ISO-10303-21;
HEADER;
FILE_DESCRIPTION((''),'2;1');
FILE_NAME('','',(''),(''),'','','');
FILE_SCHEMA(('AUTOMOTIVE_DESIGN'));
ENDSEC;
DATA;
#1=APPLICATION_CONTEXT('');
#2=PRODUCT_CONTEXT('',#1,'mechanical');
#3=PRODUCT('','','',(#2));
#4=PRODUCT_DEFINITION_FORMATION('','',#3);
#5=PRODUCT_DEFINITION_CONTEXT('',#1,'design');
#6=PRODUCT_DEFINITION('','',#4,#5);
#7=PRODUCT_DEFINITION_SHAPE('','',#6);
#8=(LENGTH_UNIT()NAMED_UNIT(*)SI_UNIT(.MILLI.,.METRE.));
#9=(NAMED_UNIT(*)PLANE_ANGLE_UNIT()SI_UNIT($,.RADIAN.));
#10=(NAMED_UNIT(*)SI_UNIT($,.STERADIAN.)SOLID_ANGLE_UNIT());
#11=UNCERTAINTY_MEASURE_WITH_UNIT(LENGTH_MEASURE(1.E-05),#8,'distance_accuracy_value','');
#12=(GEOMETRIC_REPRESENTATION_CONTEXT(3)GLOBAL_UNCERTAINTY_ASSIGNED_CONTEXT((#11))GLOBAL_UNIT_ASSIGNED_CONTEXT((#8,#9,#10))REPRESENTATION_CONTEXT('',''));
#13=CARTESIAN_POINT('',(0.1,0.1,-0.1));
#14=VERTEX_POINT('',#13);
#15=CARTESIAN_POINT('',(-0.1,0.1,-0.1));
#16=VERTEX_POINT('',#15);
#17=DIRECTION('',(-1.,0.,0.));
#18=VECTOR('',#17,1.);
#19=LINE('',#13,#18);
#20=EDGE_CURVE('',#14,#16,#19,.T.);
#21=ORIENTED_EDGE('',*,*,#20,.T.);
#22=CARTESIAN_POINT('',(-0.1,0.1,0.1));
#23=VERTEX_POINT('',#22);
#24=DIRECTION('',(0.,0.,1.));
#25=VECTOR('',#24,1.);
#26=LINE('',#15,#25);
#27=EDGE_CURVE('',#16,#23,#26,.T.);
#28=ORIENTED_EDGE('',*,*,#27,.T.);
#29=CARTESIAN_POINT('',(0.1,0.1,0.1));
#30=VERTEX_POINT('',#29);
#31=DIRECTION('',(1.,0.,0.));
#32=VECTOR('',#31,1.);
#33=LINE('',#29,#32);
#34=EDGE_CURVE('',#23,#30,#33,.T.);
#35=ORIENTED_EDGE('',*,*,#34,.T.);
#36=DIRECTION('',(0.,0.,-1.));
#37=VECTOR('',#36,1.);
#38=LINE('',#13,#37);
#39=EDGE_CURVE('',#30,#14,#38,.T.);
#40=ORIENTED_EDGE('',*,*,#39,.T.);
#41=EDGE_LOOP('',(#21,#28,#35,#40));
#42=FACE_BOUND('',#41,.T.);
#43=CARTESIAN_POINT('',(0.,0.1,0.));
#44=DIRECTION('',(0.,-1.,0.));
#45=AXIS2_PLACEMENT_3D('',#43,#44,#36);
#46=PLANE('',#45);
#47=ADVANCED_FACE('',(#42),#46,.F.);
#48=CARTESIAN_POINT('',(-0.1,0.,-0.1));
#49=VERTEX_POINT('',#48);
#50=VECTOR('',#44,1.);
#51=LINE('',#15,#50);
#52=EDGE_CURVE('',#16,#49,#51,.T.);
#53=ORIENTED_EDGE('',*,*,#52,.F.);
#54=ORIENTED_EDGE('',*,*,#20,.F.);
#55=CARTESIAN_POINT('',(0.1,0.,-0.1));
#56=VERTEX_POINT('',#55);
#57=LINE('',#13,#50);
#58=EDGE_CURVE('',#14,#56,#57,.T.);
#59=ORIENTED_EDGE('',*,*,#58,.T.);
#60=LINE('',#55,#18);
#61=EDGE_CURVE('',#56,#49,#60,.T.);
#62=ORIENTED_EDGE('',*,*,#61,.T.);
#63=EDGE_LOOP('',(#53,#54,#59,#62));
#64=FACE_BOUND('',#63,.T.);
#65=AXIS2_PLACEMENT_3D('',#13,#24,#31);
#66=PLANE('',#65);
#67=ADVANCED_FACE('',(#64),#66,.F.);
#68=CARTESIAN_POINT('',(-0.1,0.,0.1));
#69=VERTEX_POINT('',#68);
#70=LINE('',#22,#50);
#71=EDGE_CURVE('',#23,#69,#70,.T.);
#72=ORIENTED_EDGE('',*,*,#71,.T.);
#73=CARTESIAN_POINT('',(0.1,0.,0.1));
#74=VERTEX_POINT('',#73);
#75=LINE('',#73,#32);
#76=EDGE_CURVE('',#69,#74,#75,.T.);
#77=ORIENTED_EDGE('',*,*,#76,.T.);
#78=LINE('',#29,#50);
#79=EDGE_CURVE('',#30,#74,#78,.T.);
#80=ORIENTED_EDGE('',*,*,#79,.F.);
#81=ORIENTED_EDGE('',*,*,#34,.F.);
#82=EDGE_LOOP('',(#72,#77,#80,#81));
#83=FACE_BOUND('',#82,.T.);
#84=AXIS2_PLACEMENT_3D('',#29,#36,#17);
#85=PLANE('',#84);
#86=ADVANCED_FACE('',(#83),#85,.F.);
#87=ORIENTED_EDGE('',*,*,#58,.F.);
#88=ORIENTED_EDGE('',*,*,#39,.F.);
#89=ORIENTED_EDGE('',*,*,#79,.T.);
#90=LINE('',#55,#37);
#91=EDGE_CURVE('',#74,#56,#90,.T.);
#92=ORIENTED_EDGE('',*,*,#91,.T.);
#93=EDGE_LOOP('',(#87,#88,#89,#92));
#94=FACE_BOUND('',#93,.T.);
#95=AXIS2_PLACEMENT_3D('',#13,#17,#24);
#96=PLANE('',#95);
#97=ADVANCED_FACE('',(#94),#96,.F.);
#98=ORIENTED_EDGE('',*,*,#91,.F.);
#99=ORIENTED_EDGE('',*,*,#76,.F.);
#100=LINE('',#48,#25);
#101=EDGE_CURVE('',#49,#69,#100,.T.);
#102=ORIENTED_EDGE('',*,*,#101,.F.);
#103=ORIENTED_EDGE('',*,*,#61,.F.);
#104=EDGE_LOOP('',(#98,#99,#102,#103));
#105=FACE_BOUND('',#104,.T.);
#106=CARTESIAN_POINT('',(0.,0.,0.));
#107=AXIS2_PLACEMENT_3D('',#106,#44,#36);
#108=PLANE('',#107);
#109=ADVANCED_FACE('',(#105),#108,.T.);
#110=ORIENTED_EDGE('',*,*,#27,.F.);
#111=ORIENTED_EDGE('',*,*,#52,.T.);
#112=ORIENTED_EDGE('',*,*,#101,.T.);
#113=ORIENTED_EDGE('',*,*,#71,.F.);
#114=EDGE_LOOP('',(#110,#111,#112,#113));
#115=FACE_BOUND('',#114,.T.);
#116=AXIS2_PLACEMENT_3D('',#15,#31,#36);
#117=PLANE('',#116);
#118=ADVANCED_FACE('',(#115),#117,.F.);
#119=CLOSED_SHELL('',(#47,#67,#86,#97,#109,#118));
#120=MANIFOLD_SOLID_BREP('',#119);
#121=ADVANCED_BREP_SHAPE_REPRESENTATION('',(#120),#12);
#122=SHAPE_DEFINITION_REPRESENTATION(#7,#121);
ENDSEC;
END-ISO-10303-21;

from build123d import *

# Parameters (mm, degrees)
SKETCH1_W           = 0.2
SKETCH1_H           = 0.2
BOSS_EXTRUDE1_DEPTH = 0.1


with BuildPart() as part:
    # Sketch1 → Boss-Extrude1 (new body)
    with BuildSketch(Plane(origin=(0, 0, 0), x_dir=(1, 0, 0), z_dir=(0, 1, 0))):
        Rectangle(SKETCH1_W, SKETCH1_H)
    extrude(amount=BOSS_EXTRUDE1_DEPTH)


solid = part.part
